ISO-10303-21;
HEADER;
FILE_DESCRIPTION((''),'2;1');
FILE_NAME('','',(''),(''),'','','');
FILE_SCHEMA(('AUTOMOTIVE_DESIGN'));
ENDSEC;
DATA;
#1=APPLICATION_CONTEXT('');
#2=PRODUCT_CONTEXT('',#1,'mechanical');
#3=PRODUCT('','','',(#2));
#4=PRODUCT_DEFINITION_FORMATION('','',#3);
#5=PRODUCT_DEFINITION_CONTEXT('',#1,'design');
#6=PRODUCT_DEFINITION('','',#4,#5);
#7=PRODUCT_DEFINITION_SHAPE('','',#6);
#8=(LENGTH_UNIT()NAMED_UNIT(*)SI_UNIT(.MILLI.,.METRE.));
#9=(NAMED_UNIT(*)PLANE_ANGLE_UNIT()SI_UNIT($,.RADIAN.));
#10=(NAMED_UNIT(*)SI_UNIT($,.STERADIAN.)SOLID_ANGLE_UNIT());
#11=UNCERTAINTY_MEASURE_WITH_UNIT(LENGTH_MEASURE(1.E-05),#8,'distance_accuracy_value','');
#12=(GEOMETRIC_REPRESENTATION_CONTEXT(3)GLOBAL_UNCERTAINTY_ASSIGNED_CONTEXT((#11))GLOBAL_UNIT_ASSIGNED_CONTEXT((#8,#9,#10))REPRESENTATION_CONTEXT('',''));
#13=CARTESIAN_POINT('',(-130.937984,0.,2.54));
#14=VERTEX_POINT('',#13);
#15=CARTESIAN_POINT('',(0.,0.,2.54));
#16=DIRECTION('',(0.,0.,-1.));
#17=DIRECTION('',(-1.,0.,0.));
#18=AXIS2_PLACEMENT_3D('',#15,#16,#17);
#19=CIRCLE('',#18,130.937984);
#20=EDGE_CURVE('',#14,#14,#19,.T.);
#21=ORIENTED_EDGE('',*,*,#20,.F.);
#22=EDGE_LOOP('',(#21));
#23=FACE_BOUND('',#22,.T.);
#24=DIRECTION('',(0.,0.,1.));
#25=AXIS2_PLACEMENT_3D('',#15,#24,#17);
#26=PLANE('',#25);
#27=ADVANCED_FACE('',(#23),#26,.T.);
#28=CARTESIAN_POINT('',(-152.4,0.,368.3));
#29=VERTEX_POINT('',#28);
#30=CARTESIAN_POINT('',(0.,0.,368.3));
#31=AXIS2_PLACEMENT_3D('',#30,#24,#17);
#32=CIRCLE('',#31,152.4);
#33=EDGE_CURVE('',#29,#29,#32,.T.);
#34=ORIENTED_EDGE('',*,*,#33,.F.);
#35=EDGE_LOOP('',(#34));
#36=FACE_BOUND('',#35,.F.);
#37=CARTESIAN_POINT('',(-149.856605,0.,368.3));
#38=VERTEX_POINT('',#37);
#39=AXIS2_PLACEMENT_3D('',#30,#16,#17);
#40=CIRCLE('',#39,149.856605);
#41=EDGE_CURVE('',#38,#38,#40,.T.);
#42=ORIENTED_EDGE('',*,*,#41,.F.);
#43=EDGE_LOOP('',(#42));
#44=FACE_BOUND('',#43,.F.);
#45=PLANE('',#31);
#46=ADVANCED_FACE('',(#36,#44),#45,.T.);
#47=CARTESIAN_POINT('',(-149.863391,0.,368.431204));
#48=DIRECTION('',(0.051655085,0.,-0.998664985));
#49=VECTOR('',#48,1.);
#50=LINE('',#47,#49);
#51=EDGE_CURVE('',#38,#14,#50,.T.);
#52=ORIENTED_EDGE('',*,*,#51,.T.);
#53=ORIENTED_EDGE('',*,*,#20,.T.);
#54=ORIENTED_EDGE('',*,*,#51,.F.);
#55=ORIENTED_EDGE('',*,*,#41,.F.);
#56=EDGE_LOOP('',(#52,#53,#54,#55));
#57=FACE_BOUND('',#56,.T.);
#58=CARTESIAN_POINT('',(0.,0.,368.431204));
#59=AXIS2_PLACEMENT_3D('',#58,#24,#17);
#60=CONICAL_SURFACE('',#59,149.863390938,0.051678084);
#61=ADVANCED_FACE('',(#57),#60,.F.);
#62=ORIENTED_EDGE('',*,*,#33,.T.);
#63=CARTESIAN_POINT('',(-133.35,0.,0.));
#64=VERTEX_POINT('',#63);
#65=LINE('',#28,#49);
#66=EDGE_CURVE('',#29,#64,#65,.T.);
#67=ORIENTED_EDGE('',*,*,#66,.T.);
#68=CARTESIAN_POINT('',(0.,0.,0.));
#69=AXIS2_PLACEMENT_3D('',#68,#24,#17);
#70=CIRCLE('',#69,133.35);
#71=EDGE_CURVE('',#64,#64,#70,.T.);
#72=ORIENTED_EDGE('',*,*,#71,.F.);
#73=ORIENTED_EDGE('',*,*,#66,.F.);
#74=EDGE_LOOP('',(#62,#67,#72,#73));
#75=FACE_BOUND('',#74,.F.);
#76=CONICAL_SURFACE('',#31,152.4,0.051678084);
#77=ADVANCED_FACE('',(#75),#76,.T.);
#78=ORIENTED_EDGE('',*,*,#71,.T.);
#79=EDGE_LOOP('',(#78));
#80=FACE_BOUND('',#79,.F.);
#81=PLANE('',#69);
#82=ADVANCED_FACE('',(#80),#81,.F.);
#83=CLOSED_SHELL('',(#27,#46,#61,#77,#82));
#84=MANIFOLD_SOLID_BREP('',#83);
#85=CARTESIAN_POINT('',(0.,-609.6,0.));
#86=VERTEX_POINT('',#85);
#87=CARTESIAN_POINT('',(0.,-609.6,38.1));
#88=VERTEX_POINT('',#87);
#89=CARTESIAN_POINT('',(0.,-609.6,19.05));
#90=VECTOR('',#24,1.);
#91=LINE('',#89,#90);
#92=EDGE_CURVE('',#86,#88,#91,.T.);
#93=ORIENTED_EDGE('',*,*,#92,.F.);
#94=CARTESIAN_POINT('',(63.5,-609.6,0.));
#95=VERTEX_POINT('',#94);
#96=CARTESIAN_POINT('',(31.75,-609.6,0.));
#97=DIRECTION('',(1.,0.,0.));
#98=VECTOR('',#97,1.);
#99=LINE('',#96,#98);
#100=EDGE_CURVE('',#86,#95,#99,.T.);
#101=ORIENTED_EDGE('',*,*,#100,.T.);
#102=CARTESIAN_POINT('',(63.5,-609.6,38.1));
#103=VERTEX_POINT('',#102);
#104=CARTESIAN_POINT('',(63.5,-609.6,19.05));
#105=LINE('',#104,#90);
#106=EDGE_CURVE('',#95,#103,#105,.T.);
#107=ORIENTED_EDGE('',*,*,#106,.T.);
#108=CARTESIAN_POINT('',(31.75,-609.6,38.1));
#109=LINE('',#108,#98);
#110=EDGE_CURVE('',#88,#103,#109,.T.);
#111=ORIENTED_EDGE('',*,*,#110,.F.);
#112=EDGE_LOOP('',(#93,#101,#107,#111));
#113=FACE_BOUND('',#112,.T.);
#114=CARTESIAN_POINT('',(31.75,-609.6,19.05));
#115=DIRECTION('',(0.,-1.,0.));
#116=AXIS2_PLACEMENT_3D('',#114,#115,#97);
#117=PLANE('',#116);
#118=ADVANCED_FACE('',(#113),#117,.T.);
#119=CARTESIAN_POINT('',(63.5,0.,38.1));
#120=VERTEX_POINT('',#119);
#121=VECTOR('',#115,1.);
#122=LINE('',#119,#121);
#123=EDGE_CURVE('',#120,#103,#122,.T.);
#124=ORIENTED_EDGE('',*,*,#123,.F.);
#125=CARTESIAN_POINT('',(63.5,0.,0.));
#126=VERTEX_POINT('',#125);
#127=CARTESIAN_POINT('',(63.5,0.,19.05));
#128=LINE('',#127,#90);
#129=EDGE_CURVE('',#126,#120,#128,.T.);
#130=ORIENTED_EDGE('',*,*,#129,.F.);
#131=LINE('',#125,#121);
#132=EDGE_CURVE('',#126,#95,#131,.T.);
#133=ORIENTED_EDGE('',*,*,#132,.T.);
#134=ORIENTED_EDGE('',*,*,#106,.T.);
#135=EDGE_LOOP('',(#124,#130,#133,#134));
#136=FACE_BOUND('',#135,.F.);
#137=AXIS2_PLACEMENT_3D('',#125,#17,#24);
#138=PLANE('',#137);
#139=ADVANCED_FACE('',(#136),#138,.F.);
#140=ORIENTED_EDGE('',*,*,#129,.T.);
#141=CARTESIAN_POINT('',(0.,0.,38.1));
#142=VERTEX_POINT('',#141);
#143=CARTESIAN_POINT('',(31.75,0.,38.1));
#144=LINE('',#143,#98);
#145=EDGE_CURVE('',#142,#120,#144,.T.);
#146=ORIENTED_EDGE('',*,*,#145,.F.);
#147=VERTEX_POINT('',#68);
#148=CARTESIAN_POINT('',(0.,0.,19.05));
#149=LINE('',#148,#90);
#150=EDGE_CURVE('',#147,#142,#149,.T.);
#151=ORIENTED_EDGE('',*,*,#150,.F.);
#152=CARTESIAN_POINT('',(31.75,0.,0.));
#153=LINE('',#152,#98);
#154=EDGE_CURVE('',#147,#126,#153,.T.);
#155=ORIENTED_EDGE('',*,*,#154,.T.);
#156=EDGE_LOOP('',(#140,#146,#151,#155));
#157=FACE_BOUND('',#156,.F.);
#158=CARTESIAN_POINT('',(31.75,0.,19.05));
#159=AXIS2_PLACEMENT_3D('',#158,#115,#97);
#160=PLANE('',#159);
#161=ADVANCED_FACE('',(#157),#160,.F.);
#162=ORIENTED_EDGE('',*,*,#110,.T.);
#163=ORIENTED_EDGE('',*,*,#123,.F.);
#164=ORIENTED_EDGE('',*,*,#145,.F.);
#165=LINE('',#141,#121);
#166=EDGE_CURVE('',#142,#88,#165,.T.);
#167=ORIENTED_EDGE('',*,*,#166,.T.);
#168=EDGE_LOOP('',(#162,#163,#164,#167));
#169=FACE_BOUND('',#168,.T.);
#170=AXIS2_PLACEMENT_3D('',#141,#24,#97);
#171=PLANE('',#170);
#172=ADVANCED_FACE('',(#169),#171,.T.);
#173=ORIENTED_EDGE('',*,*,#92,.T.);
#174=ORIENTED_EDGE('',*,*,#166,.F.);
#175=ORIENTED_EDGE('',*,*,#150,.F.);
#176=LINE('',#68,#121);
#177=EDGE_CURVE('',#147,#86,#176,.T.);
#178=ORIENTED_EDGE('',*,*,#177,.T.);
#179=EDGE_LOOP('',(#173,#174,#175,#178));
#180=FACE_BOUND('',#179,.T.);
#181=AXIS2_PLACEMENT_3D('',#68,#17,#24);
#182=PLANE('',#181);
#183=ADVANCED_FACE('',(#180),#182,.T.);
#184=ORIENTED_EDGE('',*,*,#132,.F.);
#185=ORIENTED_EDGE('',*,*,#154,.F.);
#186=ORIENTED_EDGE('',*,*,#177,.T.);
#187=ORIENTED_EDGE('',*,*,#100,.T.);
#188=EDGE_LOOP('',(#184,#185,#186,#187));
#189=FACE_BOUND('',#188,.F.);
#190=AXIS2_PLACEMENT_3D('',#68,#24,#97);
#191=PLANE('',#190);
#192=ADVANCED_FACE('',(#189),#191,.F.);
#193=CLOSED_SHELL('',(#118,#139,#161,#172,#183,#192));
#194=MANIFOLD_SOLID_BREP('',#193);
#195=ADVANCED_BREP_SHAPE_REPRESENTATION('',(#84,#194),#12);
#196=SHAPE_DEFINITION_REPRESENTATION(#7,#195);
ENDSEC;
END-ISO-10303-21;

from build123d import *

# Parameters (mm, degrees)
F2_T     = -2.54
F3_W     = 63.5
F3_H     = 38.1
F4_DEPTH = 609.6


with BuildPart() as f1:
    # F0 (on Front) → F1 (revolve)
    with BuildSketch(Plane.XZ):
        Polygon((-133.35, 0), (0, 0), (0, 368.3), (-152.4, 368.3), align=None)
    revolve(axis=Axis((0, 0, 184.15), (0, 0, 1)))

    # F2
    f2_openings = [f1.faces().sort_by_distance(p)[0] for p in [
        (0, 0, 368.3),
    ]]
    offset(amount=F2_T, openings=f2_openings)


with BuildPart() as f4:
    # F3 (on Front) → F4 (new body)
    with BuildSketch(Plane.XZ):
        with Locations((31.75, 19.05)):
            Rectangle(F3_W, F3_H)
    extrude(amount=F4_DEPTH)


solid = Compound([f1.part, f4.part])
